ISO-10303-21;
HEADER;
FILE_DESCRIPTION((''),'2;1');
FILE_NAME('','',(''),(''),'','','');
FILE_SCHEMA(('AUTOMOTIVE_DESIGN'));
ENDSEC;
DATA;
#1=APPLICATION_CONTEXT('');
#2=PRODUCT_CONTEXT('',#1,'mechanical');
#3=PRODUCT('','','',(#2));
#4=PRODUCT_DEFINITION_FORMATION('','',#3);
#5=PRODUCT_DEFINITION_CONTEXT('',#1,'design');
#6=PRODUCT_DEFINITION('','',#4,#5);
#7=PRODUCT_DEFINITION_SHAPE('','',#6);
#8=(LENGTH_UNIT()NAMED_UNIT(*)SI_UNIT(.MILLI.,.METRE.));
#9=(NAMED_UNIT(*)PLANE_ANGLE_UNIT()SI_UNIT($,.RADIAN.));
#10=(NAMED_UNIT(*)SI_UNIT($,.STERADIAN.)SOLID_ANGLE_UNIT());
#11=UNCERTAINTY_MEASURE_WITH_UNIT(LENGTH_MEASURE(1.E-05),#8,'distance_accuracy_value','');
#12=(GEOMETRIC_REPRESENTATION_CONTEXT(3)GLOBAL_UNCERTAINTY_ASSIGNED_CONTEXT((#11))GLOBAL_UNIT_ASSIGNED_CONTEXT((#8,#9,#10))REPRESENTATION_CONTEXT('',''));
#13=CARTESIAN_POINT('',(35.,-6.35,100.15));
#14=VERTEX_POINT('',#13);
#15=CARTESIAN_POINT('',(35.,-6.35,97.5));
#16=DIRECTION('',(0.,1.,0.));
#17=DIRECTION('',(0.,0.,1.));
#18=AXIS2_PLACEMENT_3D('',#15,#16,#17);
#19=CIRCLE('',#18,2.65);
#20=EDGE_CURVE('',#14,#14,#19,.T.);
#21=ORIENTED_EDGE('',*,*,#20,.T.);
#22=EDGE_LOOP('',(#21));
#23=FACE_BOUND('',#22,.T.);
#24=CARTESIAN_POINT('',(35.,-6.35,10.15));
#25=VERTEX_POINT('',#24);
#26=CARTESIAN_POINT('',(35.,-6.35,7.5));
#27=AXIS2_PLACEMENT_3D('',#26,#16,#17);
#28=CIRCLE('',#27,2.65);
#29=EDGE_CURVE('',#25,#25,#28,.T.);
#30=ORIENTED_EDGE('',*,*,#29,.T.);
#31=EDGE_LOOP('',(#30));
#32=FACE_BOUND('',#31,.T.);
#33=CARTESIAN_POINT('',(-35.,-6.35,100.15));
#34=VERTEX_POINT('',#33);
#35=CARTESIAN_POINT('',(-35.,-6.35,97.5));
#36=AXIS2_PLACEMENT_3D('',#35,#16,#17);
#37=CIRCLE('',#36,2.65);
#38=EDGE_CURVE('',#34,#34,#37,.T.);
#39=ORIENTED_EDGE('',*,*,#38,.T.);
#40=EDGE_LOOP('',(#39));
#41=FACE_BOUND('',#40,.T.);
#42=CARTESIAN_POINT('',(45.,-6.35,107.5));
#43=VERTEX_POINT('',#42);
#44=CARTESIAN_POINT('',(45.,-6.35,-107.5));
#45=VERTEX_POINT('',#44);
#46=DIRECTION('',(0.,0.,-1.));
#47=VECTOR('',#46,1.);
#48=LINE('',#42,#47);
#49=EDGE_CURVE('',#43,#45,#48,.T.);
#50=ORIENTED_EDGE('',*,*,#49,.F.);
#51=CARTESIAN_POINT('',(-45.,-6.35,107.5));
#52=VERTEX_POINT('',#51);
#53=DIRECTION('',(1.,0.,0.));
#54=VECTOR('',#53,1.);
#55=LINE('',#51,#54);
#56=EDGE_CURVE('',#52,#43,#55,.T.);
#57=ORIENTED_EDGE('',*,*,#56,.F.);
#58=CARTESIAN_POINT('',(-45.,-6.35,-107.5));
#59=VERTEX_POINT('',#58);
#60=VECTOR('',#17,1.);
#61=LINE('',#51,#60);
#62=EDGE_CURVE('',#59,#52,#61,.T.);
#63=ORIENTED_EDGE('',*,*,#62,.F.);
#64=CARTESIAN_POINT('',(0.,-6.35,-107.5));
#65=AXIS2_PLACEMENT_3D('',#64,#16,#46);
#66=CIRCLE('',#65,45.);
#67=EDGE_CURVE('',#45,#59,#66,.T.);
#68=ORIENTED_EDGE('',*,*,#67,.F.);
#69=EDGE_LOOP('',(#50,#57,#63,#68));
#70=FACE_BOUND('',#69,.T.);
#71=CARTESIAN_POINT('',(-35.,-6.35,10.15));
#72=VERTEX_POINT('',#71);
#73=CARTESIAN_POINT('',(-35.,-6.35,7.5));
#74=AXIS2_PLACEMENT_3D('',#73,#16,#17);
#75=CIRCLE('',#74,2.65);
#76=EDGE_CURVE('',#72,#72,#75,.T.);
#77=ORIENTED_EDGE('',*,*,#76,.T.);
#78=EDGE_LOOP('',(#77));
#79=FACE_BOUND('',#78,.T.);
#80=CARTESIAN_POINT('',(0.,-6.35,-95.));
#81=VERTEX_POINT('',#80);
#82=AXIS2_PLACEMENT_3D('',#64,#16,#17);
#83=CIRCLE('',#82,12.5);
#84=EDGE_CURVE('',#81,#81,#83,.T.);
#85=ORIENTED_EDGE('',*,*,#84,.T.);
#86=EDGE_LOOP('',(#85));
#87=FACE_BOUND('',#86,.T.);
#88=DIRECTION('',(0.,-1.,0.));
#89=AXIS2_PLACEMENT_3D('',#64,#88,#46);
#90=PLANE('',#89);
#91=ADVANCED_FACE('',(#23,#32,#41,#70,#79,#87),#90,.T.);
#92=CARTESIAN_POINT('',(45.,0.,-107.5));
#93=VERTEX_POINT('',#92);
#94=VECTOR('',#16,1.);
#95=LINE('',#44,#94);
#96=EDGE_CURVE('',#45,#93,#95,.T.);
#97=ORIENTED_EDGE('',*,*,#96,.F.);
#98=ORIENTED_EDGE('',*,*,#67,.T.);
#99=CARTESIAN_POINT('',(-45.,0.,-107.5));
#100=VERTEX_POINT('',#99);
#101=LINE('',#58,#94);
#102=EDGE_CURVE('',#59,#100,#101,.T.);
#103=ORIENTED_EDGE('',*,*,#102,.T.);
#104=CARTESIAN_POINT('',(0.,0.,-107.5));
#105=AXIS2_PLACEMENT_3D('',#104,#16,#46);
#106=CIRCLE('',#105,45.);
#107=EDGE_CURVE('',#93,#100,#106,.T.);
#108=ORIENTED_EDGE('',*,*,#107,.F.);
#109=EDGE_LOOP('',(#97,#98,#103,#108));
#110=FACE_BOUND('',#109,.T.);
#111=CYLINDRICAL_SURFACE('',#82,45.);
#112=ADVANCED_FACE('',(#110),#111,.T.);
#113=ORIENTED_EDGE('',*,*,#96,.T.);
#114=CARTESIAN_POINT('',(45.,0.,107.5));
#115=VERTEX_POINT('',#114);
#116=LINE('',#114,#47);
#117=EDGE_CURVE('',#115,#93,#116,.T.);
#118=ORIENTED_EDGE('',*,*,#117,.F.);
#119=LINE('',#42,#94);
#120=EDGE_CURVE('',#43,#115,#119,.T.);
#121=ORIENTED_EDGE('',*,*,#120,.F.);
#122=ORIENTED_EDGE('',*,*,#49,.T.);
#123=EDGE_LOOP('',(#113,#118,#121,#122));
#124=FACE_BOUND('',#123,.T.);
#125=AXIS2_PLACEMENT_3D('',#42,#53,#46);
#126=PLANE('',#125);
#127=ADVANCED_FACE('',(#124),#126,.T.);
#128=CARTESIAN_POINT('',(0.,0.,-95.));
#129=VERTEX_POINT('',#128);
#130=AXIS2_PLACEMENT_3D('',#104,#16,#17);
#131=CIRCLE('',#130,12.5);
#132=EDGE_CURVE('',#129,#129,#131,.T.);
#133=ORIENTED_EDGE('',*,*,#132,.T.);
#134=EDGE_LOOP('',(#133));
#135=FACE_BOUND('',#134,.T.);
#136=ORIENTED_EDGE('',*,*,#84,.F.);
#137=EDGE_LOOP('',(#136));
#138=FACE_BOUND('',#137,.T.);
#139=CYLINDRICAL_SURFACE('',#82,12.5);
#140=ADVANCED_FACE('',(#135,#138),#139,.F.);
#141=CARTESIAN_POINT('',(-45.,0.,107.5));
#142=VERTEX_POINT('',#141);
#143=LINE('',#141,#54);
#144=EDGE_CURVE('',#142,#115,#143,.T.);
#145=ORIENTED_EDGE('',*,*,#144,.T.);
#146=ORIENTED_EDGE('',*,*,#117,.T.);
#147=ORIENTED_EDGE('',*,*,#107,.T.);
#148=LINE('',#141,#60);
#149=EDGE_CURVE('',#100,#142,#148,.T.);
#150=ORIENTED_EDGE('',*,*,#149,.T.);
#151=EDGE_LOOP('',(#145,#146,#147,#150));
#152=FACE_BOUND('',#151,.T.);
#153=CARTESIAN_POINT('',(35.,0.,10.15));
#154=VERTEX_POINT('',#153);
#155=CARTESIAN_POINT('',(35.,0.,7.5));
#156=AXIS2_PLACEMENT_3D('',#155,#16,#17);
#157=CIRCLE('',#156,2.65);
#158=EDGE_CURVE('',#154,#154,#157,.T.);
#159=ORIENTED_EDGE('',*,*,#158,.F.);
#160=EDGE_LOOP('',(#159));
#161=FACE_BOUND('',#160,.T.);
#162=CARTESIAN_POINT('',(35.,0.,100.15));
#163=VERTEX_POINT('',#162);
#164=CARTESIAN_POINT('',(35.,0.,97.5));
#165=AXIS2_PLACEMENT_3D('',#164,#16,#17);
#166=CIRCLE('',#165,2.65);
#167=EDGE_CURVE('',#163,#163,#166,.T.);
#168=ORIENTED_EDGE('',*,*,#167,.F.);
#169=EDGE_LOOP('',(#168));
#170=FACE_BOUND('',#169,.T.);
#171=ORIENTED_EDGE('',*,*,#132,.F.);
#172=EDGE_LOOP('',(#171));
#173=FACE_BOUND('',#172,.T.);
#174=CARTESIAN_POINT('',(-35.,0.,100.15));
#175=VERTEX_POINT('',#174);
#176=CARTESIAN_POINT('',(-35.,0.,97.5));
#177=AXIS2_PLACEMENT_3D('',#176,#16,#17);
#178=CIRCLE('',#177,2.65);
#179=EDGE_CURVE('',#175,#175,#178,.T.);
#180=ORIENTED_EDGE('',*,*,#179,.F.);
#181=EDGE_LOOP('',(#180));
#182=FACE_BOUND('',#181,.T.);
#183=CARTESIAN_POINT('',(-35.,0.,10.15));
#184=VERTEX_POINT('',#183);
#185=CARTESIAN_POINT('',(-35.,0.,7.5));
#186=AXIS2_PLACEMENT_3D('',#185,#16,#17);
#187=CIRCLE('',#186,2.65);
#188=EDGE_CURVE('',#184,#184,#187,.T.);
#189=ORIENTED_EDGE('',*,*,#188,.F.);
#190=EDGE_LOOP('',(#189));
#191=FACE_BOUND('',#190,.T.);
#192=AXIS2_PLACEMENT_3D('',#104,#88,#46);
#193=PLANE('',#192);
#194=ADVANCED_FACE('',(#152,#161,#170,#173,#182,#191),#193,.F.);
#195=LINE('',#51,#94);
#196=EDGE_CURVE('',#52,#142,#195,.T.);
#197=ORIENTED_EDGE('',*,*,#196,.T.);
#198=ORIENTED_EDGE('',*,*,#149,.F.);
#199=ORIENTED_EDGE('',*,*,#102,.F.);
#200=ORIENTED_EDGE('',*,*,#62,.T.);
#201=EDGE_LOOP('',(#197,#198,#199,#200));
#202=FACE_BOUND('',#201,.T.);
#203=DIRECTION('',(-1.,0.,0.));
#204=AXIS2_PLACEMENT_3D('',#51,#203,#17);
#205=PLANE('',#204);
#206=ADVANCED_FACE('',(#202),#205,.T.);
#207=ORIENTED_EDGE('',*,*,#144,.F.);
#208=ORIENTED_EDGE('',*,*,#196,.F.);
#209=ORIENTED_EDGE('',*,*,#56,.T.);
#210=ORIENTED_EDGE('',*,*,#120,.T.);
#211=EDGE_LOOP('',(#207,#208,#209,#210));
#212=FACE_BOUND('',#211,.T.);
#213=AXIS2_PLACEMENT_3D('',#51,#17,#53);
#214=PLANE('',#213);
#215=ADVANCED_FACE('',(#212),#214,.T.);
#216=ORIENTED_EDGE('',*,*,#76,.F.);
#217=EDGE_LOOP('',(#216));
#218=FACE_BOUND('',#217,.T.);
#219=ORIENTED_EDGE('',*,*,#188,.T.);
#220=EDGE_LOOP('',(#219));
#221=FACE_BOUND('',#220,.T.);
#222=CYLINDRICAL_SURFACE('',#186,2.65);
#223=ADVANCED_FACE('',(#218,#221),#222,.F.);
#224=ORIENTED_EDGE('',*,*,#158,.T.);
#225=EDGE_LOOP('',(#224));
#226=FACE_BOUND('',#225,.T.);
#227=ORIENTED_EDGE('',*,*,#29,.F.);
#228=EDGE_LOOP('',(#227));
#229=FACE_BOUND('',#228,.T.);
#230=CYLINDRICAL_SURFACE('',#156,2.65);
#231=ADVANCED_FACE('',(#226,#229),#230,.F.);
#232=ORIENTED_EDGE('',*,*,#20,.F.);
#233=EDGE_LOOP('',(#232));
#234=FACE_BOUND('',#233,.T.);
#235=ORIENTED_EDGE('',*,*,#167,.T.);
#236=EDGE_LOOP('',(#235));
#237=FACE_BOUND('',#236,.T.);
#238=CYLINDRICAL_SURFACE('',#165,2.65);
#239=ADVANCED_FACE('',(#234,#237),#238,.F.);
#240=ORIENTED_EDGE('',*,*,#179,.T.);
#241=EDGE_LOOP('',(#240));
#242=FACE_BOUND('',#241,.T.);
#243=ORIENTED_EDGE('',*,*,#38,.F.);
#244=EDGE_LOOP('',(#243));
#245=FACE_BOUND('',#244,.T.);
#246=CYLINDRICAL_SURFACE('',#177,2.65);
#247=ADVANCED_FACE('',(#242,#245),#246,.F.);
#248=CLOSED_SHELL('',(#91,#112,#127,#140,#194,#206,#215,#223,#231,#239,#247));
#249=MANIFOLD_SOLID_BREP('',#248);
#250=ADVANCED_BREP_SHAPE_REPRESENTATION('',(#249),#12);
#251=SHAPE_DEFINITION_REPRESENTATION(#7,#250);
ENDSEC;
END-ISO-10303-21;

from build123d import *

# Parameters (mm, degrees)
SKETCH1_R            = 12.5
BOSS_EXTRUDE1_DEPTH  = 6.35
M5_CLEARANCE_HOLE1_D = 5.3


with BuildPart() as part:
    # Sketch1 → Boss-Extrude1 (new body)
    with BuildSketch(Plane(origin=(0, 0, 0), x_dir=(1, 0, 0), z_dir=(0, 1, 0))):
        with BuildLine():
            Line((-45, -107.5), (-45, 107.5))
            ThreePointArc((-45, 107.5), (0, 152.5), (45, 107.5))
            Line((45, 107.5), (45, -107.5))
            Line((45, -107.5), (-45, -107.5))
        make_face()
        with Locations(Location((0, 107.5, 0), (0, 0, 270))):
            Circle(SKETCH1_R, mode=Mode.SUBTRACT)
    extrude(amount=-BOSS_EXTRUDE1_DEPTH)

    # M5 Clearance Hole1 (through all)
    with Locations(Plane(origin=(-35, 0, 7.5), x_dir=(0, 0, 1), z_dir=(0, 1, 0))):
        with Locations((0, 0), (0, 70), (90, 0), (90, 70)):
            Hole(M5_CLEARANCE_HOLE1_D / 2)


solid = part.part
